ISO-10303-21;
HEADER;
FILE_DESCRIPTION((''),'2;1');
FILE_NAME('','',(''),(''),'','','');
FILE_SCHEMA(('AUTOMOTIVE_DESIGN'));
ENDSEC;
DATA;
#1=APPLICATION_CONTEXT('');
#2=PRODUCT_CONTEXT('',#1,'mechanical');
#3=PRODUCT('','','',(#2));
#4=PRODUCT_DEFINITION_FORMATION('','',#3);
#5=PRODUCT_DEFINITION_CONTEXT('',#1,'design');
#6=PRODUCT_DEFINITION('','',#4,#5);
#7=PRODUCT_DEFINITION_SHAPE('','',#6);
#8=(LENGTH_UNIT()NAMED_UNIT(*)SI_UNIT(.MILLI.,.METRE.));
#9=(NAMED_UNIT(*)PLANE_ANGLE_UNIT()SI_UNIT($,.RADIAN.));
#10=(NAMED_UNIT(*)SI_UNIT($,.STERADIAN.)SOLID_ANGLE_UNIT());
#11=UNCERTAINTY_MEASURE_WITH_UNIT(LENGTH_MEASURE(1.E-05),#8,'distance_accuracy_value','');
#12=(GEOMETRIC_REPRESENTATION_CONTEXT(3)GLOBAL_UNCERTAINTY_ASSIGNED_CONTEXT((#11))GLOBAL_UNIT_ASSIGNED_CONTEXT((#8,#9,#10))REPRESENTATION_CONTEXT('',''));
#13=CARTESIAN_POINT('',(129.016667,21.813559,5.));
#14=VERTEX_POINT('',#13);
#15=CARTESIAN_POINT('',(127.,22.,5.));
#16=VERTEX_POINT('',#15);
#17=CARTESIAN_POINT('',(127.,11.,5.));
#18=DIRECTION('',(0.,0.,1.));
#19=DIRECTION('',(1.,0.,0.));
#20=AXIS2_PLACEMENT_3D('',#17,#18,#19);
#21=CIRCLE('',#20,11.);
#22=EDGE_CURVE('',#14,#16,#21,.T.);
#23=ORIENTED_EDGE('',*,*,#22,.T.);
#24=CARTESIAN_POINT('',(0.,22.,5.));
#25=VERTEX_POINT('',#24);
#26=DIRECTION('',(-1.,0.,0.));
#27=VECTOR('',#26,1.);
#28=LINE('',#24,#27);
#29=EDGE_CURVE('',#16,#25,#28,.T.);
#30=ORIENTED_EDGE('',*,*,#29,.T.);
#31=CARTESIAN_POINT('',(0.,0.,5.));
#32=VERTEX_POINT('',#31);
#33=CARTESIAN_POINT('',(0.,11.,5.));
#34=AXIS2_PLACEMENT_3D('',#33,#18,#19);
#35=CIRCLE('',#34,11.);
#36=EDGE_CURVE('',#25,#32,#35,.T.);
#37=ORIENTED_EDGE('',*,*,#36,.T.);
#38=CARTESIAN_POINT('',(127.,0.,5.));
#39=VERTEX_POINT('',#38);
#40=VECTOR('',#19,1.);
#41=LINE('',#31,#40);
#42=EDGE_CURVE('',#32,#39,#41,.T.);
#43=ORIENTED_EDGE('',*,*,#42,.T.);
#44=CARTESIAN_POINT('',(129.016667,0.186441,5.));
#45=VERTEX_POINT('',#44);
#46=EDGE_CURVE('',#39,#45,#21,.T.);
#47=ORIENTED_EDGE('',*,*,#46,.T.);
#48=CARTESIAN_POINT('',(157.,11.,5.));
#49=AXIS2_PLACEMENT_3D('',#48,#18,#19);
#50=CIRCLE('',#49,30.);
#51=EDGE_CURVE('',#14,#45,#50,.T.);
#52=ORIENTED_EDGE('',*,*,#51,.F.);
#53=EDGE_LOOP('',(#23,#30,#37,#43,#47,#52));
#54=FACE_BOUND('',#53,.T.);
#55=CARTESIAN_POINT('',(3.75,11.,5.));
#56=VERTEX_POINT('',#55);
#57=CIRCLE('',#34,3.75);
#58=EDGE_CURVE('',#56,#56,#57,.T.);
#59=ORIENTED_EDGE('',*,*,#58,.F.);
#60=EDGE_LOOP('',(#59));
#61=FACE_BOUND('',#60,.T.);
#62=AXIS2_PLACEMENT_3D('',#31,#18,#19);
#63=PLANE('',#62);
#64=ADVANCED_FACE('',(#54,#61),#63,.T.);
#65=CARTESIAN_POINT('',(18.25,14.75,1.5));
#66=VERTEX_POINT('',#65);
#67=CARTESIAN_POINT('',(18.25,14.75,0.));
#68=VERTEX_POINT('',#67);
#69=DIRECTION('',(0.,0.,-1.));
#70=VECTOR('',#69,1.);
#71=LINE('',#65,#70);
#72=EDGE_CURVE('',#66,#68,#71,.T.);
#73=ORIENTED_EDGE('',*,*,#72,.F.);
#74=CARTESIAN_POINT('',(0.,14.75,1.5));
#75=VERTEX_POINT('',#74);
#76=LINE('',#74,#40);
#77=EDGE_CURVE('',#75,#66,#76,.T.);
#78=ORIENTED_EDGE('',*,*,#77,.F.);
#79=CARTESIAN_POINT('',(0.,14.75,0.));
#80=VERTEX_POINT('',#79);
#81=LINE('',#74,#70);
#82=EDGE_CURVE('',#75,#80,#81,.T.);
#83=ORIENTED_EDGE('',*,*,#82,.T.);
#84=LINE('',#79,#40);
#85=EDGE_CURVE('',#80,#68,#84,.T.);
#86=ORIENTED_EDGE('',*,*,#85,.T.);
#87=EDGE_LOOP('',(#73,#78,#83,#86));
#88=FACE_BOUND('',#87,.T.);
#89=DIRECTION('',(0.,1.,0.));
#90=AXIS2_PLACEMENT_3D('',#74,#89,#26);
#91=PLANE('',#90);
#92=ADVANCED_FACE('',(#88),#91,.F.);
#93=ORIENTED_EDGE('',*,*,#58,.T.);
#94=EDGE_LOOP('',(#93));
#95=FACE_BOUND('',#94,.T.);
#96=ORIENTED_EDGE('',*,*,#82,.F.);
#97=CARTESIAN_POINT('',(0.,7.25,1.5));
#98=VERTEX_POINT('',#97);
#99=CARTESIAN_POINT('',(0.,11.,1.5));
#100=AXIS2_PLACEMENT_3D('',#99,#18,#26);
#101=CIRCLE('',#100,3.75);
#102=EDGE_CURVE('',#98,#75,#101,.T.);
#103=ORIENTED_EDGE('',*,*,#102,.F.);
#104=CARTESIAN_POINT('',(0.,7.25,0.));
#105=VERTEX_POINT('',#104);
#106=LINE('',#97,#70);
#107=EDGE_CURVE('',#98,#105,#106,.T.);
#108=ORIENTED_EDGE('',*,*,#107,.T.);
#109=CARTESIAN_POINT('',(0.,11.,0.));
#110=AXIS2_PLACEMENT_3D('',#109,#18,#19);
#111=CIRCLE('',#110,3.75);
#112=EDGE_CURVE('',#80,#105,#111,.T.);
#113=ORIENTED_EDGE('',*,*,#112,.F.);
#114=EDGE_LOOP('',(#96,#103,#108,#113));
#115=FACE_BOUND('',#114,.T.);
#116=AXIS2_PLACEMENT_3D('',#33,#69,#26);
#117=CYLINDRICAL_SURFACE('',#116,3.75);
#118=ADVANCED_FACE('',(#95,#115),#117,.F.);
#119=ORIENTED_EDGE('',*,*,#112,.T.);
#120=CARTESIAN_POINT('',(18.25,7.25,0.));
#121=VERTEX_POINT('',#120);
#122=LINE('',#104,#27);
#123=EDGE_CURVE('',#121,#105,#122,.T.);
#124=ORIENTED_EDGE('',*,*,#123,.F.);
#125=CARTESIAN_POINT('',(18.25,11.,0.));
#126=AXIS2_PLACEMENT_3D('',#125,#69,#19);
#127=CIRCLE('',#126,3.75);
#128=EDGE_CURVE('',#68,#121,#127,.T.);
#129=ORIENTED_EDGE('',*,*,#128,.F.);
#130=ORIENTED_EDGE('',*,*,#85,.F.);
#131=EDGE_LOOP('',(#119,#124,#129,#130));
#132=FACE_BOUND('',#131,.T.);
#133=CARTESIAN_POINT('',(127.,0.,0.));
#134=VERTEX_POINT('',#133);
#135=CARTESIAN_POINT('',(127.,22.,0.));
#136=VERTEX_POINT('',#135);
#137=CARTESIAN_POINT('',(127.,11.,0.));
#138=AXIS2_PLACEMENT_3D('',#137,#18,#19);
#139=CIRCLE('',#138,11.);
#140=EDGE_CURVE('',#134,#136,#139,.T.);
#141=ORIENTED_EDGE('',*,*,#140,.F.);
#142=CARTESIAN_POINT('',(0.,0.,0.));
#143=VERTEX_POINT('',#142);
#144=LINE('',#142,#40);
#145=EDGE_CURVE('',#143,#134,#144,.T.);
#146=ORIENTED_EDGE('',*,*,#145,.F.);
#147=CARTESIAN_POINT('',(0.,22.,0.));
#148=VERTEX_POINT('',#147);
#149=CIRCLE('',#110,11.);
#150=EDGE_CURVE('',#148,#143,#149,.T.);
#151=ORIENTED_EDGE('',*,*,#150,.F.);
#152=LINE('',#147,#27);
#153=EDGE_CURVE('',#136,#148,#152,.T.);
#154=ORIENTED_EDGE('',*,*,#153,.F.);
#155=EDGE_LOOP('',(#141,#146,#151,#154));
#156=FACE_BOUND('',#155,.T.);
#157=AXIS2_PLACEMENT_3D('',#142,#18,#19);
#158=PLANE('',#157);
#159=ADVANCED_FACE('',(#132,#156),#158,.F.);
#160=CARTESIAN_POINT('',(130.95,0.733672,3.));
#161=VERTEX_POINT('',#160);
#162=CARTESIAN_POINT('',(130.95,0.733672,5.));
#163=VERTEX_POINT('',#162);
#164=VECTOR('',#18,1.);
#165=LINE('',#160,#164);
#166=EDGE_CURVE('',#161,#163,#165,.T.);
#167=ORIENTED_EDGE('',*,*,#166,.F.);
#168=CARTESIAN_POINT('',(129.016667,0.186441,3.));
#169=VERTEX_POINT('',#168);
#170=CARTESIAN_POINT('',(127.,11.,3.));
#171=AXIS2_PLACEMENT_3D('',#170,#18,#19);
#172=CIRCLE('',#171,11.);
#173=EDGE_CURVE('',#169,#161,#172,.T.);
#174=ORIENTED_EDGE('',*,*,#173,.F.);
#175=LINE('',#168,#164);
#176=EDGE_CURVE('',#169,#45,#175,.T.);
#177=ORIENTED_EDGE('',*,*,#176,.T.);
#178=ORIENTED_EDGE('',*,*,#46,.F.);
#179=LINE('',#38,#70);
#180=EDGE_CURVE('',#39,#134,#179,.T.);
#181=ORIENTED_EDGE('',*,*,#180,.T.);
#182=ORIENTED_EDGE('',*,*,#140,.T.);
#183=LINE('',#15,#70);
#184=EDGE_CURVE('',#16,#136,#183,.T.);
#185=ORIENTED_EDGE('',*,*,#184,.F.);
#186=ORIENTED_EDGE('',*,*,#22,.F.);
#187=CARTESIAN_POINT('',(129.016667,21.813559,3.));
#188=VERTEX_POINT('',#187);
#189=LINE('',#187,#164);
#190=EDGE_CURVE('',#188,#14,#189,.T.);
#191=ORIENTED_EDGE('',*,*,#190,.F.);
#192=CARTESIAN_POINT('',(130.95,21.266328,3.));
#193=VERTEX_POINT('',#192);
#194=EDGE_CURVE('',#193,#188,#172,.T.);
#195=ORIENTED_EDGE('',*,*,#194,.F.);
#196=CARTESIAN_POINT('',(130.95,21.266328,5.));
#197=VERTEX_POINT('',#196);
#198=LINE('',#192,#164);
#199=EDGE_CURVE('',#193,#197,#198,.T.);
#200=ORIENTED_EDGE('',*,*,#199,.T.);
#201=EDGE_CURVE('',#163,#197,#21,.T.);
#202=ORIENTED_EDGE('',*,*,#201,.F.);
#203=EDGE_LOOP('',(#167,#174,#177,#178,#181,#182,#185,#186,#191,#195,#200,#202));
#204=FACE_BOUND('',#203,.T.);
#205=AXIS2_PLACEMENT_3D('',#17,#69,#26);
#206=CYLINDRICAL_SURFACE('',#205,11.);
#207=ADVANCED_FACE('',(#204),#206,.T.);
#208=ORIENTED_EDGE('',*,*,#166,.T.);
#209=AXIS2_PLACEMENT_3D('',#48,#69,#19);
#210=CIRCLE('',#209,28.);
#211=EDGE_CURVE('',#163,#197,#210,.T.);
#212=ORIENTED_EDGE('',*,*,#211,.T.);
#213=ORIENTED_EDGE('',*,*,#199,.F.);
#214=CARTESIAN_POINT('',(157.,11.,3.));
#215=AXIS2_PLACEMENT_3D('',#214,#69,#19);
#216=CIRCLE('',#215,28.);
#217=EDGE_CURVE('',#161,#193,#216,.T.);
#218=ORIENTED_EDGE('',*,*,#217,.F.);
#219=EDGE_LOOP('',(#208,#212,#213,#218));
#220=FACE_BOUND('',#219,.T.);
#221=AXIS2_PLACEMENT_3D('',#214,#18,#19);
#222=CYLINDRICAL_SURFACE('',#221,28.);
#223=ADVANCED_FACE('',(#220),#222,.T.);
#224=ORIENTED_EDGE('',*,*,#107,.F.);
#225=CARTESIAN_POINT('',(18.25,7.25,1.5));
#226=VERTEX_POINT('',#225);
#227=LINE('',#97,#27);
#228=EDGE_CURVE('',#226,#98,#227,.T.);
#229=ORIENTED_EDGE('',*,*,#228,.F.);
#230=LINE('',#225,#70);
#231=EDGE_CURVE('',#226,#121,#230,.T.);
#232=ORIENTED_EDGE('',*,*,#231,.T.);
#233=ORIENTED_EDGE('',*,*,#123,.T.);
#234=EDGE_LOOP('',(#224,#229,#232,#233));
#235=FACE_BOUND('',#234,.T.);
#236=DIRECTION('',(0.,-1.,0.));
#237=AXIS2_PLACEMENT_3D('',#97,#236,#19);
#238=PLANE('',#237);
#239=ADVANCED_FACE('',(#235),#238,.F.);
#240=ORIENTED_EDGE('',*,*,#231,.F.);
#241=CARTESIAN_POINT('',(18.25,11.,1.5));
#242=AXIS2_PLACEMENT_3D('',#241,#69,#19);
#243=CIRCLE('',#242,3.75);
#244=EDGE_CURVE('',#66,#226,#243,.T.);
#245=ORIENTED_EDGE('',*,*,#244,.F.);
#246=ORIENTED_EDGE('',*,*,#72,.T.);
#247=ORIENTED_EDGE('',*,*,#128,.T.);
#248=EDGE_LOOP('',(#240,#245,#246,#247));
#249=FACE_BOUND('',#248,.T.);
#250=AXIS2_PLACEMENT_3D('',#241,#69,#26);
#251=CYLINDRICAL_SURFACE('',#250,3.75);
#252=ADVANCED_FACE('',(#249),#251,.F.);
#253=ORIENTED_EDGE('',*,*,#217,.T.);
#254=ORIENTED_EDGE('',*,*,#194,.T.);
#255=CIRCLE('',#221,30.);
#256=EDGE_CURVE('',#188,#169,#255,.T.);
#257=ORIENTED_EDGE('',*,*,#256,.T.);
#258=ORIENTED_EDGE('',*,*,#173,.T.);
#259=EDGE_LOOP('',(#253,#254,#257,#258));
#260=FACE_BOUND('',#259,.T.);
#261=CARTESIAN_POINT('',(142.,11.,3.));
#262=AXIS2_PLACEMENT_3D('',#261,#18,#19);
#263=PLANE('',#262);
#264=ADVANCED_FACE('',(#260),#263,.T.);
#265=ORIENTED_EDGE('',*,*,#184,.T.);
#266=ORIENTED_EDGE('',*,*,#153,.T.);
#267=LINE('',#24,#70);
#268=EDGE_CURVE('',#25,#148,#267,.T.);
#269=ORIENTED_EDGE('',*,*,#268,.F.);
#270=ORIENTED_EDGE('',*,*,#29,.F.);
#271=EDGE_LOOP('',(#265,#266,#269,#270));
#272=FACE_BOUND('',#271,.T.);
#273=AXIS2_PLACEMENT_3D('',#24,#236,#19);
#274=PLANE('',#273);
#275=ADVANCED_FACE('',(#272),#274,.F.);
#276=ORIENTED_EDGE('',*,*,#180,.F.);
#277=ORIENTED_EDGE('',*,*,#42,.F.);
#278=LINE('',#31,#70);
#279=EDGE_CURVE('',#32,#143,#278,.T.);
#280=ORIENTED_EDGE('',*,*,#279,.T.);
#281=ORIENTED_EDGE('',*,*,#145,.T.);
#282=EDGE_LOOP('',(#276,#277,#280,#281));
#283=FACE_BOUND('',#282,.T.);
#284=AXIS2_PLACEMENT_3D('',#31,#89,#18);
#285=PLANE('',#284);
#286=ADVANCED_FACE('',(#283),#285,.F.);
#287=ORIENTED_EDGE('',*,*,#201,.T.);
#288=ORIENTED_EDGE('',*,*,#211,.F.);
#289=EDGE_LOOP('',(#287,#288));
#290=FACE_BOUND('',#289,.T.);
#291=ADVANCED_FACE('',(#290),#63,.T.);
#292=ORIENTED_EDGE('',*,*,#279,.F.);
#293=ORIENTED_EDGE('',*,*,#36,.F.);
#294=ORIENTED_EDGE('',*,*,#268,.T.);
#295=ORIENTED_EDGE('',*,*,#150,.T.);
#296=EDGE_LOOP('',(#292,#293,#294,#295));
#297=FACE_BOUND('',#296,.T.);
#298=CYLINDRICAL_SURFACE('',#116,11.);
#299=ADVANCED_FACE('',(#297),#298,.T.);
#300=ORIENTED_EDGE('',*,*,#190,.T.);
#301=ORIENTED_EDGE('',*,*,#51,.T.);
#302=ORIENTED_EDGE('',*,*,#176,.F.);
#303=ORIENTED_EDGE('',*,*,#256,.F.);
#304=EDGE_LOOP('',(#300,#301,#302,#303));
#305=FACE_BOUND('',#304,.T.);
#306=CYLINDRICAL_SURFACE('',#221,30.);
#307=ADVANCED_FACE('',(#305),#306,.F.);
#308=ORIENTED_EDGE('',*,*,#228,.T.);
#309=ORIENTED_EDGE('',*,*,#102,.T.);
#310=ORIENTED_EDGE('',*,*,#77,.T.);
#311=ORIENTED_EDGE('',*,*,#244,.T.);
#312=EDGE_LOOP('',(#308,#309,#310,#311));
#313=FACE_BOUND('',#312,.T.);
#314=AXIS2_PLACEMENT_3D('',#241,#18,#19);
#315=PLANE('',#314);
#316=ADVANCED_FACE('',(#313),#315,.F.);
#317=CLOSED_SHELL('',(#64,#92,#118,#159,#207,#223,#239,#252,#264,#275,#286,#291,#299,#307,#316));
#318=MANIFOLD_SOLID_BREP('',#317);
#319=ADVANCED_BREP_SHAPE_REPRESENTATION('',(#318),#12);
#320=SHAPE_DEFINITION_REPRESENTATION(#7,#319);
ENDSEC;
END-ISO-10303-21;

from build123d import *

# Parameters (mm, degrees)
SKETCH1_R           = 3.75
BOSS_EXTRUDE1_DEPTH = 5
CUT_EXTRUDE1_DEPTH  = 2
CUT_EXTRUDE2_DEPTH  = 1.5


with BuildPart() as part:
    # Sketch1 → Boss-Extrude1 (new body)
    with BuildSketch(Plane.XY):
        with BuildLine():
            ThreePointArc((0, 22), (-11, 11), (0, 0))
            Line((0, 0), (127, 0))
            ThreePointArc((127, 0), (138, 11), (127, 22))
            Line((127, 22), (0, 22))
        make_face()
        with Locations((0, 11)):
            Circle(SKETCH1_R, mode=Mode.SUBTRACT)
    extrude(amount=BOSS_EXTRUDE1_DEPTH)

    # Sketch2 → Cut-Extrude1 (cut)
    with BuildSketch(Plane.XY.offset(5)):
        with BuildLine():
            ThreePointArc((129.016666667, 21.813558876), (127, 11), (129.016666667, 0.186441124))
            ThreePointArc((129.016666667, 0.186441124), (129.995854312, 0.415820441), (130.95, 0.733671542))
            ThreePointArc((130.95, 0.733671542), (129, 11), (130.95, 21.266328458))
            ThreePointArc((130.95, 21.266328458), (129.995854312, 21.584179559), (129.016666667, 21.813558876))
        make_face()
    extrude(amount=-CUT_EXTRUDE1_DEPTH, mode=Mode.SUBTRACT)

    # Sketch3 → Cut-Extrude2 (cut)
    with BuildSketch(Plane(origin=(0, 0, 0), x_dir=(-1, 0, 0), z_dir=(0, 0, -1))):
        with BuildLine():
            Line((0, 14.75), (-18.25, 14.75))
            ThreePointArc((-18.25, 14.75), (-22, 11), (-18.25, 7.25))
            Line((-18.25, 7.25), (0, 7.25))
            ThreePointArc((0, 7.25), (-3.75, 11), (0, 14.75))
        make_face()
    extrude(amount=-CUT_EXTRUDE2_DEPTH, mode=Mode.SUBTRACT)


solid = part.part
